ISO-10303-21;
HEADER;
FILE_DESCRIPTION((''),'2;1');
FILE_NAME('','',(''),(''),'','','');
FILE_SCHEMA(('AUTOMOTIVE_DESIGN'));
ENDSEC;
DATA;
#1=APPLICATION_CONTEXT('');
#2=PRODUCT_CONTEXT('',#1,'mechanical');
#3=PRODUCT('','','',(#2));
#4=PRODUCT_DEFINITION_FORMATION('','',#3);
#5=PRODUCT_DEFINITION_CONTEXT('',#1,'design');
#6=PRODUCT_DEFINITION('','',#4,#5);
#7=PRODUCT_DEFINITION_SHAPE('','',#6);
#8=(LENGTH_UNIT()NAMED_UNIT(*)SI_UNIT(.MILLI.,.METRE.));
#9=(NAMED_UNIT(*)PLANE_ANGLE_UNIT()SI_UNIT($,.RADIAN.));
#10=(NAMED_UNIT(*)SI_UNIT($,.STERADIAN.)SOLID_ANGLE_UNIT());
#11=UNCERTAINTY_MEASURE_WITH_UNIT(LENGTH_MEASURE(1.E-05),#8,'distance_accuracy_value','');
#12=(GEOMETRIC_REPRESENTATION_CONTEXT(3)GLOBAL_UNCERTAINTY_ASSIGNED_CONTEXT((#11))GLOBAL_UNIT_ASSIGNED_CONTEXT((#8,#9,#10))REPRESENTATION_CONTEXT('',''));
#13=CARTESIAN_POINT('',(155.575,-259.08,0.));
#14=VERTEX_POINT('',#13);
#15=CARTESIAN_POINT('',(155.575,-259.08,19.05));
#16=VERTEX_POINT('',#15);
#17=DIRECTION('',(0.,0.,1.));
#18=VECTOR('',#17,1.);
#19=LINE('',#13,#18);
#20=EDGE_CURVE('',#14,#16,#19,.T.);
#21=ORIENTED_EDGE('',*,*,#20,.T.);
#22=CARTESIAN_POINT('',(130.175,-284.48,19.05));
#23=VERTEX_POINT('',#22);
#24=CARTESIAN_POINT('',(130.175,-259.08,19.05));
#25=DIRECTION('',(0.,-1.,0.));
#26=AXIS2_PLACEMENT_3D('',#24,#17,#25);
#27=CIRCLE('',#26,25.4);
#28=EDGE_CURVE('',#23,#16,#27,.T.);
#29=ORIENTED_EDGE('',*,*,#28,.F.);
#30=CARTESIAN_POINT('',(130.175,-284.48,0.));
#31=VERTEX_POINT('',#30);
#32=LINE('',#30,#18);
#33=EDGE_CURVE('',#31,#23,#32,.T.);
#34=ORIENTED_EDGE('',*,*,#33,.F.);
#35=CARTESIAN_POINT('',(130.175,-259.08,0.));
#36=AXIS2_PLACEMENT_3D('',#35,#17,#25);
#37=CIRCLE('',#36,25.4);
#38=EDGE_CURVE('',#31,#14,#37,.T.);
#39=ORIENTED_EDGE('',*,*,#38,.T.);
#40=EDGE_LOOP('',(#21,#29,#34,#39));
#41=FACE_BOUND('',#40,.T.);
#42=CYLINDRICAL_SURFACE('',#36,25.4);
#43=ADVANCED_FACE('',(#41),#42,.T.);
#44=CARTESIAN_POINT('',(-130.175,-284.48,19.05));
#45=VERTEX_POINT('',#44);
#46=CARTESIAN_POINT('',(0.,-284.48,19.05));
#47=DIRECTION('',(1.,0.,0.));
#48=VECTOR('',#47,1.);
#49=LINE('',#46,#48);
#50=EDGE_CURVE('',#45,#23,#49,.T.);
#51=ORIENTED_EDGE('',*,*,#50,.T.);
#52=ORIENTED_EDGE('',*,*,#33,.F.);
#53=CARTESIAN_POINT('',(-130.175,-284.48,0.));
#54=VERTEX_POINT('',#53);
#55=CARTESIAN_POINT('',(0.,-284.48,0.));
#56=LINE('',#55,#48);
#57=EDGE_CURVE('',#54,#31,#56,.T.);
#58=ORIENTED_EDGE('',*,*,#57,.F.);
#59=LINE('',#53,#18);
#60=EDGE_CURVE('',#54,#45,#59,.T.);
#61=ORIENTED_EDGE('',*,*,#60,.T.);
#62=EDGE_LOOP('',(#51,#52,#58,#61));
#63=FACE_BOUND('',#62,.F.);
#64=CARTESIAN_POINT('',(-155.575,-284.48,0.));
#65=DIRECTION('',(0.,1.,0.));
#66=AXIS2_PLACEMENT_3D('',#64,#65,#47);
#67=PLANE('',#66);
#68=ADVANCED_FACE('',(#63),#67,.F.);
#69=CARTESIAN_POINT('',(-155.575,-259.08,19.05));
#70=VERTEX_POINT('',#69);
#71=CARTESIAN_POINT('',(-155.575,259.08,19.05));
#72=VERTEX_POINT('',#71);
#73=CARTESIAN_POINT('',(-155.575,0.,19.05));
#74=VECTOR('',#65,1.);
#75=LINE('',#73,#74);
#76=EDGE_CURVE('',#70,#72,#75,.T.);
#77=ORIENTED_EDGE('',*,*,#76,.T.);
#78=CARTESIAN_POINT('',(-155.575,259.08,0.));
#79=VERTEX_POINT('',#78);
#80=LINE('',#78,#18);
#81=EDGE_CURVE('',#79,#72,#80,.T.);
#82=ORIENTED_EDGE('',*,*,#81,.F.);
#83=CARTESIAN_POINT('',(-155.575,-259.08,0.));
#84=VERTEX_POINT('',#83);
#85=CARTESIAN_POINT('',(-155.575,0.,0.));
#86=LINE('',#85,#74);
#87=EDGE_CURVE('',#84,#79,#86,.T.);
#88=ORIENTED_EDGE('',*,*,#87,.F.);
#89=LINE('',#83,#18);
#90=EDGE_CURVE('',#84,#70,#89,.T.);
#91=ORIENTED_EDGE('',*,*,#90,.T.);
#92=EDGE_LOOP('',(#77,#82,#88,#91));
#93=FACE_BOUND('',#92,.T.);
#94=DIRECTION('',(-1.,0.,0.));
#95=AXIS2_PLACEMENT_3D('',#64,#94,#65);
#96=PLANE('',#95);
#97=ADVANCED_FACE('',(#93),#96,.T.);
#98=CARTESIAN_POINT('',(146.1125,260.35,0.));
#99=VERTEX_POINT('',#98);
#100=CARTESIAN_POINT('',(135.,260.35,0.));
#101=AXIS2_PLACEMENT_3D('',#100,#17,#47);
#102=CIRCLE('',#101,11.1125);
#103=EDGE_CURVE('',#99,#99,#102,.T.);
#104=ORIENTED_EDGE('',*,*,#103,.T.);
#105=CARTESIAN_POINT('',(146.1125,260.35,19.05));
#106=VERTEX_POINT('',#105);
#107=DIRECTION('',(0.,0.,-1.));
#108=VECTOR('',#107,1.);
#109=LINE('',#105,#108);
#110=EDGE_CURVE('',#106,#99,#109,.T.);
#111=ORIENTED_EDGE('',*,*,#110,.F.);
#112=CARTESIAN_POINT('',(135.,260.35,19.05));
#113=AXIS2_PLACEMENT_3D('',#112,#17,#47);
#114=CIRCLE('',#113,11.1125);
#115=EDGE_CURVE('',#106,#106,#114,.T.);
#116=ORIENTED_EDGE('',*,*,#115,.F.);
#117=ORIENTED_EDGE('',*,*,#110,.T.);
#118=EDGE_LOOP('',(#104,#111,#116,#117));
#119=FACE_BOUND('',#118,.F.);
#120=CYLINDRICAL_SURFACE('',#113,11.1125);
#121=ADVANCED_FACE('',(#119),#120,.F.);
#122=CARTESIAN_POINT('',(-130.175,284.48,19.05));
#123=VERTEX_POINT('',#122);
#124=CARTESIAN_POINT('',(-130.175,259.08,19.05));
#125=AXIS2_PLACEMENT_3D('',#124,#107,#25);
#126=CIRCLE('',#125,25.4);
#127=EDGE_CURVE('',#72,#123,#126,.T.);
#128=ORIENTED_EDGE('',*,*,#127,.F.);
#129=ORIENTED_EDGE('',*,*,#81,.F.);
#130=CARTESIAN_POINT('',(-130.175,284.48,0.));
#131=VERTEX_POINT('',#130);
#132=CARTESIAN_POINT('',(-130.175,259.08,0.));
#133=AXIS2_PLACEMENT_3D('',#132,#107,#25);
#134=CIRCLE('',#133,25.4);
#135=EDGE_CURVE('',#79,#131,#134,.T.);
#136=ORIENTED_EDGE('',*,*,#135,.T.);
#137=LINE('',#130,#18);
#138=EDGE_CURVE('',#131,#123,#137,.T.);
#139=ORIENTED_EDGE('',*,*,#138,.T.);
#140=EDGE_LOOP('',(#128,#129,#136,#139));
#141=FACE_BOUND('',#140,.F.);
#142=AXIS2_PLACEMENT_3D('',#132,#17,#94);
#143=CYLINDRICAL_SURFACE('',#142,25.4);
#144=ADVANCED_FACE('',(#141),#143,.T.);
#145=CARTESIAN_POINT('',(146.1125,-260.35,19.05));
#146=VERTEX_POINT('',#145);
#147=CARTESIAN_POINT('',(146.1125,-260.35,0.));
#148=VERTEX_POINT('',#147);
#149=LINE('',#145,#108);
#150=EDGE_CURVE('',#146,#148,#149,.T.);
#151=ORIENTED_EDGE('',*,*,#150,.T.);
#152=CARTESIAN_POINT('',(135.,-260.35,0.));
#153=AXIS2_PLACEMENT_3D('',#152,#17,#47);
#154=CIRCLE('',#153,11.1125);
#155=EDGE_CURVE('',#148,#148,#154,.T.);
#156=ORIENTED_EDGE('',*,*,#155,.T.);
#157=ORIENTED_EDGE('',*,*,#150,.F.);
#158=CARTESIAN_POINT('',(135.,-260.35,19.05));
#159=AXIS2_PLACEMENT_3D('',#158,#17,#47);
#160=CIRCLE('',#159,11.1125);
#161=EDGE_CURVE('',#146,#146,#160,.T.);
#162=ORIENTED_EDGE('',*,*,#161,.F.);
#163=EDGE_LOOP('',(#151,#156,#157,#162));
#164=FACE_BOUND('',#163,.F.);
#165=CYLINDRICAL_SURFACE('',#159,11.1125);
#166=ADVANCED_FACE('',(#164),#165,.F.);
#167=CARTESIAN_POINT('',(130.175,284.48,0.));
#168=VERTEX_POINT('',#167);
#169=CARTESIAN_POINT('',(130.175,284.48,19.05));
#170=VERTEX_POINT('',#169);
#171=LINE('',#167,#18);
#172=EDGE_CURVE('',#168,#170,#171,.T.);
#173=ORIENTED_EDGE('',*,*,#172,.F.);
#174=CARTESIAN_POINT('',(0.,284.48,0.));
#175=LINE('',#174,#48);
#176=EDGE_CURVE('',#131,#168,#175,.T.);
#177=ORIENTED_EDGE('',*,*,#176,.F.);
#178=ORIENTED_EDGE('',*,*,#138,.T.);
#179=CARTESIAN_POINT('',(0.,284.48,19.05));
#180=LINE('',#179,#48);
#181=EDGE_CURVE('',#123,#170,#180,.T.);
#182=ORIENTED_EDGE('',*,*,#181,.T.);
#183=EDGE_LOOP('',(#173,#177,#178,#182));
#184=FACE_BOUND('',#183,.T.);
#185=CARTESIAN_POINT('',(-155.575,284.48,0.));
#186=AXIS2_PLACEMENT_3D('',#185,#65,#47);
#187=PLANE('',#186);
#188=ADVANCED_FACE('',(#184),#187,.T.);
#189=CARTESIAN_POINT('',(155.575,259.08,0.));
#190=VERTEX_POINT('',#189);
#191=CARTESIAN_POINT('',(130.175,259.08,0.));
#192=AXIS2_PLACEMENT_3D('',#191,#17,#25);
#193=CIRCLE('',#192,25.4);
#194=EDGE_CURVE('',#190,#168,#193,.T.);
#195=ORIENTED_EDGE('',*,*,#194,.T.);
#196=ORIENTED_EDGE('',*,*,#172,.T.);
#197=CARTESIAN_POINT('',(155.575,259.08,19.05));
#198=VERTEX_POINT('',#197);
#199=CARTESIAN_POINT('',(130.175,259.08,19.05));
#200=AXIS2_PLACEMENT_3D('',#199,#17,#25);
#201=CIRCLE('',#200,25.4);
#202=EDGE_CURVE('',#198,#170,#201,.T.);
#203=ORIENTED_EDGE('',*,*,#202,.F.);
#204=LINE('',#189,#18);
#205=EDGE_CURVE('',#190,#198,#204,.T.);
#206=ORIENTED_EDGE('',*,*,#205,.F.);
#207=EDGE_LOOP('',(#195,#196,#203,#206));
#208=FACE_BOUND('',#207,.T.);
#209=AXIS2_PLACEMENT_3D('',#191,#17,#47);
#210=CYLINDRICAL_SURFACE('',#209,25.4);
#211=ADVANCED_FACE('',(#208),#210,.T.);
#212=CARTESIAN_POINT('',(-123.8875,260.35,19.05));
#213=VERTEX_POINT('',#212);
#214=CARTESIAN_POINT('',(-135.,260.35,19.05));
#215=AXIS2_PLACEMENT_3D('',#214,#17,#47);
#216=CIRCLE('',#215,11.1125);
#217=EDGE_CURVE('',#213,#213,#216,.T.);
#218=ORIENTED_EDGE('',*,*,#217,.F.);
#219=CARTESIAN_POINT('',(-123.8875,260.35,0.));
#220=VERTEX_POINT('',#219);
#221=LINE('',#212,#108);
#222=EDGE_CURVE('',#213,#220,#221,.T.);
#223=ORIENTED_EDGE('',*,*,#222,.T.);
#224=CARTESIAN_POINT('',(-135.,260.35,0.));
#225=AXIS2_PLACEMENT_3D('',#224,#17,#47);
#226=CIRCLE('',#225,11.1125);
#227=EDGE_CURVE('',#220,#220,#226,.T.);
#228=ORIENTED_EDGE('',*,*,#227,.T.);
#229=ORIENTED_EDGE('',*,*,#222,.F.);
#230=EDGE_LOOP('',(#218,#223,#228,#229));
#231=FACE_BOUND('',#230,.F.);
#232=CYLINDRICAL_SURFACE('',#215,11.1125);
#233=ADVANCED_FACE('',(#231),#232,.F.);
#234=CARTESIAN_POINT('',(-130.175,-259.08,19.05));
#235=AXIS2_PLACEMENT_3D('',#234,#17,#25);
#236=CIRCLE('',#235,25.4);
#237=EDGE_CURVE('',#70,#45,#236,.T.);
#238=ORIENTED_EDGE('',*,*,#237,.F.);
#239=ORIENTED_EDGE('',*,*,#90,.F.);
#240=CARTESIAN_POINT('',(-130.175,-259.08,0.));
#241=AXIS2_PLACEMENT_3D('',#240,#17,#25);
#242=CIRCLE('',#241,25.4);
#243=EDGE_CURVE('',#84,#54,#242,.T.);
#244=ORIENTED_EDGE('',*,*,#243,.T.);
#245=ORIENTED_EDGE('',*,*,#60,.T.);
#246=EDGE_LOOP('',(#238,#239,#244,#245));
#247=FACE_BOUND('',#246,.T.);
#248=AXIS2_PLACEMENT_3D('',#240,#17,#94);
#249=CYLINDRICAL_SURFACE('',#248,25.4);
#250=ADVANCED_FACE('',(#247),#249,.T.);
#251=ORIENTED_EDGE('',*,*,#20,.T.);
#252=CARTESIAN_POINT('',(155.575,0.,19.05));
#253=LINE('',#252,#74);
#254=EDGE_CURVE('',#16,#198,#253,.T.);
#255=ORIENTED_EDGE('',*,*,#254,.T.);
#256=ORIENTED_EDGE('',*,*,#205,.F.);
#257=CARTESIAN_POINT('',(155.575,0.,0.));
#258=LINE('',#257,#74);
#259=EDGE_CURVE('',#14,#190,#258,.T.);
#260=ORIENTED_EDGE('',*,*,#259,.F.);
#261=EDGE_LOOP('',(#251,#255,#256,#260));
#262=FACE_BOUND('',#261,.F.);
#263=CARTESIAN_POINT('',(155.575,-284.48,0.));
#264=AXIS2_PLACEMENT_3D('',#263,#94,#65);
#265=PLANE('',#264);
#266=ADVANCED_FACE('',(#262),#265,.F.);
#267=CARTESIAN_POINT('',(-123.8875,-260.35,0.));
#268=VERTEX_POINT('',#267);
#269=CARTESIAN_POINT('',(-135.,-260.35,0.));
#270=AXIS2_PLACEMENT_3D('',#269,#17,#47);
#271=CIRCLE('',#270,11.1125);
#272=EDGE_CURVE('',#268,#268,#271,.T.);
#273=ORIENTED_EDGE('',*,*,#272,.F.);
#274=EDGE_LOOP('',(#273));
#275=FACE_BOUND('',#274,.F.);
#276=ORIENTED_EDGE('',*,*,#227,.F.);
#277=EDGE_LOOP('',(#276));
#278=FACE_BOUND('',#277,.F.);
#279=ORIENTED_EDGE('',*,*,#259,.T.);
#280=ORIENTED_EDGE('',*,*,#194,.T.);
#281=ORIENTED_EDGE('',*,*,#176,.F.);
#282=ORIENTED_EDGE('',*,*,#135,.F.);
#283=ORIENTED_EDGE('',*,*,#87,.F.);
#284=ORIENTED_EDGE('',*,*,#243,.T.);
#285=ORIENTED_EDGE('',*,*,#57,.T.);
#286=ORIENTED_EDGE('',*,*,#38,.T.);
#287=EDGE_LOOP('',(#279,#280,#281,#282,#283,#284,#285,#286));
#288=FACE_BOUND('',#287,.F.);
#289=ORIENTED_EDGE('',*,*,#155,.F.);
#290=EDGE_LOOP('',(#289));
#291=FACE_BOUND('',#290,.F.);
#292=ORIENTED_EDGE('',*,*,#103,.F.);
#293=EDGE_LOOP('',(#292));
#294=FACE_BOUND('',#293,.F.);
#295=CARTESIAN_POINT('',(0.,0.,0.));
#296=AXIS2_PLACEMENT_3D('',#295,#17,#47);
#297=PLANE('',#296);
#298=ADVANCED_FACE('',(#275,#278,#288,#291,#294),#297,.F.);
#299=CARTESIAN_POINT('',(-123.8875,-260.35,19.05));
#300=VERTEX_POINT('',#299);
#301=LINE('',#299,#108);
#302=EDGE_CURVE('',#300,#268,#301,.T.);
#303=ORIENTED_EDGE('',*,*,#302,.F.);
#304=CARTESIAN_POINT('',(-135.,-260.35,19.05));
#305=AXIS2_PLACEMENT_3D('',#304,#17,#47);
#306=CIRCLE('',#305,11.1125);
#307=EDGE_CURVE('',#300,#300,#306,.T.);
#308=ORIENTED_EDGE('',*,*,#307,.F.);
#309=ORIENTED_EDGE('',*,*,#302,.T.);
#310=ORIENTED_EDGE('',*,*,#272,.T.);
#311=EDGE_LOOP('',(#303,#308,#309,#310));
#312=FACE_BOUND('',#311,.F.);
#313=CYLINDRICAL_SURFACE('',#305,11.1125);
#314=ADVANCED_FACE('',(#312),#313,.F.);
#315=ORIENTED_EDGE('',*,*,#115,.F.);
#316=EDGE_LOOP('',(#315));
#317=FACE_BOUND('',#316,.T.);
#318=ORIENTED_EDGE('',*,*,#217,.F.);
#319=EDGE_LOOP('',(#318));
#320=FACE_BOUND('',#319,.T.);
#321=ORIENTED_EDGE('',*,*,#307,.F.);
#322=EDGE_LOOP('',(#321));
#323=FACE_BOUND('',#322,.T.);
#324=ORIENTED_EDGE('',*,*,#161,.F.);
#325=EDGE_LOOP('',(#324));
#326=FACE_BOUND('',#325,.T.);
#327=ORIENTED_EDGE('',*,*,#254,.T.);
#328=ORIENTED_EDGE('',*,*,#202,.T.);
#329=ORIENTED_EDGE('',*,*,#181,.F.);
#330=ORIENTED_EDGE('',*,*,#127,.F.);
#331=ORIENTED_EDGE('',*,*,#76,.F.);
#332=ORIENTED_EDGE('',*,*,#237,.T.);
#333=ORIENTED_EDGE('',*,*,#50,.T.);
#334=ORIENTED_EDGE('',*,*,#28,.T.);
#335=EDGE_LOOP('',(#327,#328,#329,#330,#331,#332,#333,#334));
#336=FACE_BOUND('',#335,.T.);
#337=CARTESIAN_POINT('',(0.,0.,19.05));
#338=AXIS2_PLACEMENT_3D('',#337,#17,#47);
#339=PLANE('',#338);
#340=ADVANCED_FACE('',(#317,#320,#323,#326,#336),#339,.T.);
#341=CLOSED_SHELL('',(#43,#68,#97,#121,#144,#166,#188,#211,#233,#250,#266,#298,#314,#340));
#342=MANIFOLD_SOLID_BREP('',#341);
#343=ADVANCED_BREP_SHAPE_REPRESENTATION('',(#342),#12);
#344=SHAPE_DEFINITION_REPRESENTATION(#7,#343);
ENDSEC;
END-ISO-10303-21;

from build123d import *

# Parameters (mm, degrees)
F0_W     = 311.15
F0_H     = 568.96
F1_DEPTH = 19.05
F3_R     = 25.4
F2_R     = 11.1125
F4_DEPTH = 19.051


with BuildPart() as f1:
    # F0 (on Top) → F1 (new body)
    with BuildSketch(Plane.XY):
        Rectangle(F0_W, F0_H)
    extrude(amount=F1_DEPTH)

    # F3
    f3_edges = [f1.edges().sort_by_distance(p)[0] for p in [
        (155.575, -284.48, 9.525),
        (-155.575, -284.48, 9.525),
        (-155.575, 284.48, 9.525),
        (155.575, 284.48, 9.525),
    ]]
    fillet(f3_edges, radius=F3_R)

    # F2 (on face) → F4 (cut, through all)
    with BuildSketch(Plane.XY.offset(19.05)):
        with Locations((-135, 260.35)):
            Circle(F2_R)
        with Locations((135, 260.35)):
            Circle(F2_R)
        with Locations((135, -260.35)):
            Circle(F2_R)
        with Locations((-135, -260.35)):
            Circle(F2_R)
    extrude(amount=-F4_DEPTH, mode=Mode.SUBTRACT)


solid = f1.part
